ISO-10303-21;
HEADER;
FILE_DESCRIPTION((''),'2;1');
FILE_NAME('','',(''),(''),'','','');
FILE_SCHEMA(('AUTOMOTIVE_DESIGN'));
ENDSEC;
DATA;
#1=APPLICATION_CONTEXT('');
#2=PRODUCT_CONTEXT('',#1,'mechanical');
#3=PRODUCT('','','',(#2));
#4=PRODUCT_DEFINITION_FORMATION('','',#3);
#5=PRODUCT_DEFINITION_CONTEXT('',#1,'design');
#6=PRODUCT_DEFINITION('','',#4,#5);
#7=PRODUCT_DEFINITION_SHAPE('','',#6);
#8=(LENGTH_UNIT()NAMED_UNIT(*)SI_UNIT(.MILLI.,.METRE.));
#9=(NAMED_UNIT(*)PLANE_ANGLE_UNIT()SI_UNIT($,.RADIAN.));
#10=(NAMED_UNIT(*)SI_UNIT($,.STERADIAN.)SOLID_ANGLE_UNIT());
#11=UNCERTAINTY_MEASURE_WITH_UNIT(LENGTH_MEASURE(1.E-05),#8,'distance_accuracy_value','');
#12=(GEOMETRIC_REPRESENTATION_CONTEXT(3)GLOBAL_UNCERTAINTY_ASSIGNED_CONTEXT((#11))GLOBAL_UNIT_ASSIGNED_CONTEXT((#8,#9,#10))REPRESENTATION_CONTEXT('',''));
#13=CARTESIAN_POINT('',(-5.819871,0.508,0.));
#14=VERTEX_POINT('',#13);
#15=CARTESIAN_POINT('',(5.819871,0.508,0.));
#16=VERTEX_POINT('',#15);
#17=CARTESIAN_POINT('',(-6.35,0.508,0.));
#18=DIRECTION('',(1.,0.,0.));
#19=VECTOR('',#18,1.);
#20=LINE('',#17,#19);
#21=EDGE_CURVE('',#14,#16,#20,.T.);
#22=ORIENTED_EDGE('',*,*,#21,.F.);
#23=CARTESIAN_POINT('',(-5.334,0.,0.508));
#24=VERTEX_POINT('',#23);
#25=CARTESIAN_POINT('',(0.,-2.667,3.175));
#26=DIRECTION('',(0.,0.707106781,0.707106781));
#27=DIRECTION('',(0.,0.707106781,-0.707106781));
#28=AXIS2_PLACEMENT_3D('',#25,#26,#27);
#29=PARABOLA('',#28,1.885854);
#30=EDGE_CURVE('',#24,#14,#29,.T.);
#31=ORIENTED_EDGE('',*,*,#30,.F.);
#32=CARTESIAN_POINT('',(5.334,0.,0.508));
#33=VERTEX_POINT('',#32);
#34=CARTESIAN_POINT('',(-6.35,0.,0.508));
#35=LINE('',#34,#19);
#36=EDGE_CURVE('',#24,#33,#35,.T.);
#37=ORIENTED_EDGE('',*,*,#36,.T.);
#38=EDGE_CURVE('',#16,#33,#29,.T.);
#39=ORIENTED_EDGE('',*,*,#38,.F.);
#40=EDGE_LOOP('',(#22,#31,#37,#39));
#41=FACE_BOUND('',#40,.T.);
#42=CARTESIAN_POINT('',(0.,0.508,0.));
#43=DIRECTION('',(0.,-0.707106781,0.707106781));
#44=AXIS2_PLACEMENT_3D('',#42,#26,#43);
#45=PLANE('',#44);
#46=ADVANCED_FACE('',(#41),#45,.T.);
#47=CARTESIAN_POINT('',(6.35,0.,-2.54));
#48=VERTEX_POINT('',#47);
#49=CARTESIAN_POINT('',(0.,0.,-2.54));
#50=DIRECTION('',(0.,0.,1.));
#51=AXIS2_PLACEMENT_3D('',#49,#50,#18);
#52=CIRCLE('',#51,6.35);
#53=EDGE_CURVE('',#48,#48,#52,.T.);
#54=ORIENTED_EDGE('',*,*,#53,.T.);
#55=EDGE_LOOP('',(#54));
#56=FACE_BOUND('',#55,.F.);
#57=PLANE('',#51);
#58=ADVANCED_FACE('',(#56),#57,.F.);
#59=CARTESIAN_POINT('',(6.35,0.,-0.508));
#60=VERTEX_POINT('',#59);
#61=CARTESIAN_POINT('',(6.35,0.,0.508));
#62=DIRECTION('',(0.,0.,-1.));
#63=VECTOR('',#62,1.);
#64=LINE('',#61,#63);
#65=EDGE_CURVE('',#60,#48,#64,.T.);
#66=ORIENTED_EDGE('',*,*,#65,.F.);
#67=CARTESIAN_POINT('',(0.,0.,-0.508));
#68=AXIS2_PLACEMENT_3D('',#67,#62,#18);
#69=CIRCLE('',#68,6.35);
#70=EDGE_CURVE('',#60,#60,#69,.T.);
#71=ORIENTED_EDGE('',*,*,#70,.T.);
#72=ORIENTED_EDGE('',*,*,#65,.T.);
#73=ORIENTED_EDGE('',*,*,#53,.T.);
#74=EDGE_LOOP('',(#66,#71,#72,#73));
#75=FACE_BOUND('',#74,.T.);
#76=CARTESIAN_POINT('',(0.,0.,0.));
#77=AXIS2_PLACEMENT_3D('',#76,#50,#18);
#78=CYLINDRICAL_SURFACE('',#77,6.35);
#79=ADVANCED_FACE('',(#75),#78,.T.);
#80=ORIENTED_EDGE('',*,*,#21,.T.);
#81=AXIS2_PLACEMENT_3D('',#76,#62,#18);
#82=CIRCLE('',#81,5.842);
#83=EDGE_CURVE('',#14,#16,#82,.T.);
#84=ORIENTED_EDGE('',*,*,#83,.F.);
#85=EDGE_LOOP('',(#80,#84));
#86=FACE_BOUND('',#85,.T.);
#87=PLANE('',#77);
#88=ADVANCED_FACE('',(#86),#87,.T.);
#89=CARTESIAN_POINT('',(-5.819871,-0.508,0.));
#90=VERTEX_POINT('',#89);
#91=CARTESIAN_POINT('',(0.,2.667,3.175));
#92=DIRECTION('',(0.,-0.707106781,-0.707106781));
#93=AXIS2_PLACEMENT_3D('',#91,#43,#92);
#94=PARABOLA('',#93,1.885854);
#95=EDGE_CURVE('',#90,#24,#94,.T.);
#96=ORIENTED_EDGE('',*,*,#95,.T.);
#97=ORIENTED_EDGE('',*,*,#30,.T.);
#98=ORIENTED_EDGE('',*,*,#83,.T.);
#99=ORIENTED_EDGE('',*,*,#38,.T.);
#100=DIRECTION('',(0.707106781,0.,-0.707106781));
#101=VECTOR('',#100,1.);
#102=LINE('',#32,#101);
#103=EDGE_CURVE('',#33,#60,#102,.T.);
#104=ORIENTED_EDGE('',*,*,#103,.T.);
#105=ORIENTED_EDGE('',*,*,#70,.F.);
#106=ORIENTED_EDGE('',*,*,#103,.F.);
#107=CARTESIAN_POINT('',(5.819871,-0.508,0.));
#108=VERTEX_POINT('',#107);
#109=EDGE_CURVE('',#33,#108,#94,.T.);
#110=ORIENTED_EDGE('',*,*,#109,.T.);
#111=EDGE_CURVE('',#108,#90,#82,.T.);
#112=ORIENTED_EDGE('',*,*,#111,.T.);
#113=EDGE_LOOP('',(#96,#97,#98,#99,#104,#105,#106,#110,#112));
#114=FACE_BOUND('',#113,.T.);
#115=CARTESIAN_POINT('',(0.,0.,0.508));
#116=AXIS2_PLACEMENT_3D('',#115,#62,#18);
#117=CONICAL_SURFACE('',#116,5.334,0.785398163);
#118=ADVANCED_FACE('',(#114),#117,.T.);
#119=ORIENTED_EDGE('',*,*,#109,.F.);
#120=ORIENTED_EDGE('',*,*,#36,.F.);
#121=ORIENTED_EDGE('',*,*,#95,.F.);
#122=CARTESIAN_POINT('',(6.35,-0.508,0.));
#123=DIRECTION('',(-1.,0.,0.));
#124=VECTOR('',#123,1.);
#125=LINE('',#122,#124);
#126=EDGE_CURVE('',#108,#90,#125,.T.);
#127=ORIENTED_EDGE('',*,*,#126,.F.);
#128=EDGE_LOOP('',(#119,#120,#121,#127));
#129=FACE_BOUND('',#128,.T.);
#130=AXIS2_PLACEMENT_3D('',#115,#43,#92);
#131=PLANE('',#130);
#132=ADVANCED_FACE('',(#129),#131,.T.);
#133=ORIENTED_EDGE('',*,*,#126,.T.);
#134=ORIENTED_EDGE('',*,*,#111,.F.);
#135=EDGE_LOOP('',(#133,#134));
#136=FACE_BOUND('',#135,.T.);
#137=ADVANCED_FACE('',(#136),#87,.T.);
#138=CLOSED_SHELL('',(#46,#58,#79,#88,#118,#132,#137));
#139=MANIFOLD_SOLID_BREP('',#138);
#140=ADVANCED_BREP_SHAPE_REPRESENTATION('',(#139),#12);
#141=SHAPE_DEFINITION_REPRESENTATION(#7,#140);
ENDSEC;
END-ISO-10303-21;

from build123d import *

# Parameters (mm, degrees)
F3_DEPTH = 6.35
F0_R     = 6.35
F4_DEPTH = 2.54
F5_R     = 12.7
F5_R_2   = 6.35
F6_DEPTH = 6.35


with BuildPart() as f3:
    # F2 (on Right) → F3 (new body, symmetric)
    with BuildSketch(Plane.YZ):
        Polygon((0, -0.508), (0.508, 0), (0, 0.508), (-0.508, 0), align=None)
    extrude(amount=F3_DEPTH, both=True)

    # F0 (on Top) → F4 (join)
    with BuildSketch(Plane.XY):
        Circle(F0_R)
    extrude(amount=-F4_DEPTH)

    # F5 (on face) → F6 (cut, symmetric)
    with BuildSketch(Plane.XY):
        Circle(F5_R)
        Circle(F5_R_2, mode=Mode.SUBTRACT)
    extrude(amount=F6_DEPTH, both=True, mode=Mode.SUBTRACT)

    # F7 (on Front) → F8 (revolve, cut)
    with BuildSketch(Plane.XZ):
        Polygon((6.35, 0.508), (5.334, 0.508), (6.35, -0.508), align=None)
    revolve(axis=Axis((0, 0, -0.254), (0, 0, -1)), mode=Mode.SUBTRACT)


solid = f3.part
